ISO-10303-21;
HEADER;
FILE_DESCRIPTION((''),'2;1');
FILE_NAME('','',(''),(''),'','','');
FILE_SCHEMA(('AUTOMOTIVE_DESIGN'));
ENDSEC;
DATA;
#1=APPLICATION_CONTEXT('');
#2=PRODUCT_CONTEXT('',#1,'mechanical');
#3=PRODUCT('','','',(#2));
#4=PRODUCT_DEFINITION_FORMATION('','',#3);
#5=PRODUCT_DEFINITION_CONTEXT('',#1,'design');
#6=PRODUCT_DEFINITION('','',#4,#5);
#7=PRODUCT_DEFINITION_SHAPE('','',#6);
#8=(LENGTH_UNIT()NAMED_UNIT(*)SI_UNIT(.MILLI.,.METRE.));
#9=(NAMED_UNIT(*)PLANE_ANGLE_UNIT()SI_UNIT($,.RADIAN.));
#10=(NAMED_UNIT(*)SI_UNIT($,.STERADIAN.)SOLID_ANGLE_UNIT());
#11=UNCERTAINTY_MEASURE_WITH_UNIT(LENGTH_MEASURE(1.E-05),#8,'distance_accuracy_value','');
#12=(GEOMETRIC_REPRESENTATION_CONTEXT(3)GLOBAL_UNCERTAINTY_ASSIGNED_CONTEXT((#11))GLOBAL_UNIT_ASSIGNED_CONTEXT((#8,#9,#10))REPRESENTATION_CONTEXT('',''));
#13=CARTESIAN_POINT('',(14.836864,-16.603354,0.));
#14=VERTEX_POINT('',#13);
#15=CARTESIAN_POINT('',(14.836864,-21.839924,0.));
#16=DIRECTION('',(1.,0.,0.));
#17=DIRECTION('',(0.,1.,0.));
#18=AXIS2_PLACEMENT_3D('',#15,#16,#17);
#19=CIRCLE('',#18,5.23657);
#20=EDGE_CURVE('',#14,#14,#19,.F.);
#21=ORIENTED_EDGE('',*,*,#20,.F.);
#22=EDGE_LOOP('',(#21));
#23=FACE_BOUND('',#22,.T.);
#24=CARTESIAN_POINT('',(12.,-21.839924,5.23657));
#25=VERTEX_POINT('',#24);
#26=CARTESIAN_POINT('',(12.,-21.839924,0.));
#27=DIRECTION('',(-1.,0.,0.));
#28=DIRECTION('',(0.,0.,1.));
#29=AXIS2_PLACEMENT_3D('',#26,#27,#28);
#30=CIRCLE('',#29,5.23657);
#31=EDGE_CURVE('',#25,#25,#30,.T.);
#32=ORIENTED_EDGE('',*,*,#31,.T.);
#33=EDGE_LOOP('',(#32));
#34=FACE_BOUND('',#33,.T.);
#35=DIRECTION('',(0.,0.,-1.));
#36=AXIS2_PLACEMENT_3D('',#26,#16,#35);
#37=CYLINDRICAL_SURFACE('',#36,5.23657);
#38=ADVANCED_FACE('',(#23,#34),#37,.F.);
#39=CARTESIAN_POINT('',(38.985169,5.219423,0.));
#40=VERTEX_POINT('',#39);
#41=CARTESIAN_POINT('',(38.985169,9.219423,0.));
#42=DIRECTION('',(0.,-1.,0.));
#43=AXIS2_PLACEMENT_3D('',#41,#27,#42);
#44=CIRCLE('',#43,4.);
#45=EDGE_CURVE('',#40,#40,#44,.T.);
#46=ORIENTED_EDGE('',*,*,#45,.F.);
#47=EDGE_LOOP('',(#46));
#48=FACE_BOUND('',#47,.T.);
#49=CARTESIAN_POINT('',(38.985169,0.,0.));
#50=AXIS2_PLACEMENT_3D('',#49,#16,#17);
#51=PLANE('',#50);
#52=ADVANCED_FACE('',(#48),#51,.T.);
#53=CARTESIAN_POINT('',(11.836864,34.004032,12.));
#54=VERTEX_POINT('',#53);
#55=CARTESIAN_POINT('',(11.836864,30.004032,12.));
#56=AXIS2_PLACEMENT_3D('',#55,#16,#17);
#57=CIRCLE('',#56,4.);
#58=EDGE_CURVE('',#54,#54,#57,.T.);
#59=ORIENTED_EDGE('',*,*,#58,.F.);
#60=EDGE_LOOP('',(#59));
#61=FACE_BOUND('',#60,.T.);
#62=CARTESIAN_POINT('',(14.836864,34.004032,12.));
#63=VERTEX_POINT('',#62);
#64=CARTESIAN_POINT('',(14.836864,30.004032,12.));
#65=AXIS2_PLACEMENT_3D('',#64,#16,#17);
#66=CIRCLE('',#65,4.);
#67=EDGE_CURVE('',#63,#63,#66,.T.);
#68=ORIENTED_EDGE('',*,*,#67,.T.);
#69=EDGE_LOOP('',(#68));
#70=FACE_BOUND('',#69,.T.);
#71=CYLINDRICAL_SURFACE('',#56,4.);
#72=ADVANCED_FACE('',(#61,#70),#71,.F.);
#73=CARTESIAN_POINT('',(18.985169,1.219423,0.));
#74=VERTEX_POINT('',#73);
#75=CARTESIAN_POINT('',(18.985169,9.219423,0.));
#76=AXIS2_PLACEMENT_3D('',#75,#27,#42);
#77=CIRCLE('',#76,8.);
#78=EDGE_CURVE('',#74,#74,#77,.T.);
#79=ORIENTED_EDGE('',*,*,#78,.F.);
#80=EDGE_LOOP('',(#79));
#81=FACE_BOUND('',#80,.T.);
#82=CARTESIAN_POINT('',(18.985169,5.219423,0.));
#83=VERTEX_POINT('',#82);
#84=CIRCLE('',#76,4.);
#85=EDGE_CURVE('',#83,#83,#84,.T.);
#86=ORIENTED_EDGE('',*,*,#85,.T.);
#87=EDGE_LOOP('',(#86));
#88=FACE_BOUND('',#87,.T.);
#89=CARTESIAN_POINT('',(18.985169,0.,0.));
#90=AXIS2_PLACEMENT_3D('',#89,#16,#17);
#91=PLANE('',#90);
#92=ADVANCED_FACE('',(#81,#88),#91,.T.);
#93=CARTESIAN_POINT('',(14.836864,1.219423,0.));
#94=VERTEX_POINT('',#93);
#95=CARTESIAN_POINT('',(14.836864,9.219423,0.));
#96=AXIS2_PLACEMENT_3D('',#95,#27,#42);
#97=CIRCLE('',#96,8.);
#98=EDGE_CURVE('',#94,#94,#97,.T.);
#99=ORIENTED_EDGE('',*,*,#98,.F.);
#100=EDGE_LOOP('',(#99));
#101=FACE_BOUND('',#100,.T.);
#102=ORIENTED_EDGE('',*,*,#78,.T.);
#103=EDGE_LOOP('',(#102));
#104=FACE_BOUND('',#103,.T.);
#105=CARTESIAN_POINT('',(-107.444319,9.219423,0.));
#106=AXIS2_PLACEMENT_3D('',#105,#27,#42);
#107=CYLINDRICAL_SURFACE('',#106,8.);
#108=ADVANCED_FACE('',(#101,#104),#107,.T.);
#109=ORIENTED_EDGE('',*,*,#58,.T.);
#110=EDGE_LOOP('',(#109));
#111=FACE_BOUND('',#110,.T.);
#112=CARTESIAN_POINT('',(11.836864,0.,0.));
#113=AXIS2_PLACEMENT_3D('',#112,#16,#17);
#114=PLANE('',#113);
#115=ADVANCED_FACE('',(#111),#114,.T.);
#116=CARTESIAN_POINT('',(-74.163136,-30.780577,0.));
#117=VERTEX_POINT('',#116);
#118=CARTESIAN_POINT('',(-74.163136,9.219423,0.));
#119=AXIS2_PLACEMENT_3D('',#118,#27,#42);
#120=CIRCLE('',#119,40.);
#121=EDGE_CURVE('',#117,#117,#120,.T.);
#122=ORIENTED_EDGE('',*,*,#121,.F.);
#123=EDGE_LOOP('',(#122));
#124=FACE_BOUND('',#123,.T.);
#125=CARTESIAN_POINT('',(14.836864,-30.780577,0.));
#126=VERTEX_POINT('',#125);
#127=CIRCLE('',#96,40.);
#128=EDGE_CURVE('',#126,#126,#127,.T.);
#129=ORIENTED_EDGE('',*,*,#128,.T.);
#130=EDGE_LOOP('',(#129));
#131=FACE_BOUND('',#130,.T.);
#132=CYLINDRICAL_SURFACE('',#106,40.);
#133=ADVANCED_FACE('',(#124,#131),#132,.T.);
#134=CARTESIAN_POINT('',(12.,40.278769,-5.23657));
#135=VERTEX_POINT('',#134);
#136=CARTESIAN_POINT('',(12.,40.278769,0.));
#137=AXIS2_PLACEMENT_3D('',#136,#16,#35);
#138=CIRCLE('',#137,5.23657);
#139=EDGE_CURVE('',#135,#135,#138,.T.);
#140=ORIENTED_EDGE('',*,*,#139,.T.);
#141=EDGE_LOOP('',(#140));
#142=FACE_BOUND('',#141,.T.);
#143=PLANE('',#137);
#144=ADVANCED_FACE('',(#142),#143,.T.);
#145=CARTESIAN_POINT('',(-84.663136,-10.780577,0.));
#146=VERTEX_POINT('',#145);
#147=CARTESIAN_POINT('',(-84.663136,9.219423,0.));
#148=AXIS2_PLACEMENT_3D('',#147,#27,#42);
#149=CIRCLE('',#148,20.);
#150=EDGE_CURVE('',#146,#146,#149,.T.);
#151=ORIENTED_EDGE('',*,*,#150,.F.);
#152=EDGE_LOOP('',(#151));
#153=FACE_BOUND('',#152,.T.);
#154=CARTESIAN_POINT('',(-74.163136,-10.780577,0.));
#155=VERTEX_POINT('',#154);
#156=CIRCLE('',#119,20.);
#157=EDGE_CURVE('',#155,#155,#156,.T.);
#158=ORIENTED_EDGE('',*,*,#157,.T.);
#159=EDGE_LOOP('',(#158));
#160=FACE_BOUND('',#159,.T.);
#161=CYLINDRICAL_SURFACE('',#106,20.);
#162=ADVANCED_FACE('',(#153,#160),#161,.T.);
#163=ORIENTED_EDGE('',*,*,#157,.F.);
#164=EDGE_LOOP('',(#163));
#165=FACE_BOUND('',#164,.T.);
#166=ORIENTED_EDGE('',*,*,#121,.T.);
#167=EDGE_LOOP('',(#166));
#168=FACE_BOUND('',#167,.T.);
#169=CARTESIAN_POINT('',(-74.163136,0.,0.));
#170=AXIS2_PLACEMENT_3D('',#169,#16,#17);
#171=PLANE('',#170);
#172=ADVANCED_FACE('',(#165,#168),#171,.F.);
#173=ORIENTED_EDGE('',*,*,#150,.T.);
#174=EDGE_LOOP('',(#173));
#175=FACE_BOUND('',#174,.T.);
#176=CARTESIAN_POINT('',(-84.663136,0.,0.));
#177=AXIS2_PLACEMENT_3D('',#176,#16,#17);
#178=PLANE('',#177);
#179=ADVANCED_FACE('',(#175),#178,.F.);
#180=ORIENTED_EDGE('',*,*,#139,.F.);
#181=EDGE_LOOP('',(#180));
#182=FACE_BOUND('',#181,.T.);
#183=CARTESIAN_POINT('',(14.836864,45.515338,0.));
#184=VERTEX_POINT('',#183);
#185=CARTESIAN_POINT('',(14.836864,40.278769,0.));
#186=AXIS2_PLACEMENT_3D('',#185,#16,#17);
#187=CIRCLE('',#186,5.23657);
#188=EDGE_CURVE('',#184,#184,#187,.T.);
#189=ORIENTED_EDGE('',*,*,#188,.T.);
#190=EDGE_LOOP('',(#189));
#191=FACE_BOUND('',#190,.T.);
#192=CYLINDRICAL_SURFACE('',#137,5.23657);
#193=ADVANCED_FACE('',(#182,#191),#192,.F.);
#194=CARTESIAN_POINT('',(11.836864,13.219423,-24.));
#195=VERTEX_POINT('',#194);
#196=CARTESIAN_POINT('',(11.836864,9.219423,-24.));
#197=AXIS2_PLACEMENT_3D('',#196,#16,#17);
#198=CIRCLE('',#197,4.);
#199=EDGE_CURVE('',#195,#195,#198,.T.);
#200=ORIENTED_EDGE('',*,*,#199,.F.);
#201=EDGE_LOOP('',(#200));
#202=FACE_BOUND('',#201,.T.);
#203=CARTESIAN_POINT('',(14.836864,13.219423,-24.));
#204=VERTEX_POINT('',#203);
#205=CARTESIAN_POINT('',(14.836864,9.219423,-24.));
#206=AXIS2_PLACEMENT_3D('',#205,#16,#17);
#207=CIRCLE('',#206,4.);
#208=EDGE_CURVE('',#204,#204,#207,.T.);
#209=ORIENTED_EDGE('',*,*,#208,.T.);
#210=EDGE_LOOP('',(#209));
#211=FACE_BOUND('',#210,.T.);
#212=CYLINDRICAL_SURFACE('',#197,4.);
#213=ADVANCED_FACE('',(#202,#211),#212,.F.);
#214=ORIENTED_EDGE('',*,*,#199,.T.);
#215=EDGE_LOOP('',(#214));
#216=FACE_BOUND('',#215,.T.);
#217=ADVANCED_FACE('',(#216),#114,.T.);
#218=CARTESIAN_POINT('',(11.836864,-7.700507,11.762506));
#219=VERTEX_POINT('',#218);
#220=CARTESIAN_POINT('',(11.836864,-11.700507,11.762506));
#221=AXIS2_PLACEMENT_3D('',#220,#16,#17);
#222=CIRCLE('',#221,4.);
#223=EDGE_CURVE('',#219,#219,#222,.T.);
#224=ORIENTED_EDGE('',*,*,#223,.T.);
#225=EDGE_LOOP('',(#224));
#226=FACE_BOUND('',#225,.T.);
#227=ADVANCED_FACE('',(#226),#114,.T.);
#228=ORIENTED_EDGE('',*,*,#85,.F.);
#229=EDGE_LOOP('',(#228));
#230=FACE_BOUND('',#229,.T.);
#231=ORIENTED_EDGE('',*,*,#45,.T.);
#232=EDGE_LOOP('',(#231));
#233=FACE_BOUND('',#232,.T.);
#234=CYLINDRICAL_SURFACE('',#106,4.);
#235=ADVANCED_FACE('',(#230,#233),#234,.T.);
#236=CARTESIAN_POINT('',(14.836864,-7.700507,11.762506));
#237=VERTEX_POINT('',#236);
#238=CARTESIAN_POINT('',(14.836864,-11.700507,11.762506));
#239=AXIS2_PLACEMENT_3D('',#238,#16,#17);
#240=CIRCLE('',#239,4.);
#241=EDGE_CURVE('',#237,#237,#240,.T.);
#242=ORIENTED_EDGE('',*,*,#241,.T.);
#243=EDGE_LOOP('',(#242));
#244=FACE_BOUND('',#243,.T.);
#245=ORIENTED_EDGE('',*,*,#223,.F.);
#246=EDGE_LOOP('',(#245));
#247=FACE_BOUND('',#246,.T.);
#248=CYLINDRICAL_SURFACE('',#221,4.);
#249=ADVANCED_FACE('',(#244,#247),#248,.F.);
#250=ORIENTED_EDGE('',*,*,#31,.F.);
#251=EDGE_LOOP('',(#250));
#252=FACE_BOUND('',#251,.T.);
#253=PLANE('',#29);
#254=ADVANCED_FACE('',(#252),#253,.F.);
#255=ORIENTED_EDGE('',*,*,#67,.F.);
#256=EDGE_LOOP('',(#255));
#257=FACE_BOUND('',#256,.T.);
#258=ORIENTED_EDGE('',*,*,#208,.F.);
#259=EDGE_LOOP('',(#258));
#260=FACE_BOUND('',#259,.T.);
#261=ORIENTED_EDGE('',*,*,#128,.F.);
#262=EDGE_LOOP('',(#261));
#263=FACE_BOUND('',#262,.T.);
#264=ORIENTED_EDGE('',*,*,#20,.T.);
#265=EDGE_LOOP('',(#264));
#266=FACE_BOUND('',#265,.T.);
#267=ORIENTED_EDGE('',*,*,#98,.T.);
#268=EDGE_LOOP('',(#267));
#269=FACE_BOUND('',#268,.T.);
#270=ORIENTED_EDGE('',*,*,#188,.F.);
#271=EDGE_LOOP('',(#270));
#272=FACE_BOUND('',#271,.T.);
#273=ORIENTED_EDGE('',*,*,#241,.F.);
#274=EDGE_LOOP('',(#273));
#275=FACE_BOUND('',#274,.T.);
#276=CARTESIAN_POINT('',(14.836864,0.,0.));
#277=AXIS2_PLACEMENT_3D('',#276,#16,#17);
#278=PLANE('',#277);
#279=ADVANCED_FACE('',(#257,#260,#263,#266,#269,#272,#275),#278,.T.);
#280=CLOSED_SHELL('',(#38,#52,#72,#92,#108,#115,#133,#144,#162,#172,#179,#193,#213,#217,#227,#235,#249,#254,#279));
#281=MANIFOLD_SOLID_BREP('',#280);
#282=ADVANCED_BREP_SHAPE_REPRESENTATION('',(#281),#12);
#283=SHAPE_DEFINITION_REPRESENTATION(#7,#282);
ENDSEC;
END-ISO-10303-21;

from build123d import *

# Parameters (mm, degrees)
SKETCH1_W          = 10.5
SKETCH1_H          = 20
SKETCH1_W_2        = 73.726566952
SKETCH1_H_2        = 40
SKETCH1_W_3        = 20
SKETCH1_H_3        = 4
SKETCH4_R          = 5.236569571
CUT_EXTRUDE3_DEPTH = 3
SKETCH7_R          = 4
CUT_EXTRUDE4_DEPTH = 3


with BuildPart() as part:
    # Sketch1 → Revolve2 (revolve)
    with BuildSketch(Plane.XY, mode=Mode.PRIVATE) as revolve2_sk:
        with Locations((-79.413135593, 19.219422603)):
            Rectangle(SKETCH1_W, SKETCH1_H)
        Polygon((-66.795719354, 49.219422603), (-74.163135593, 49.219422603), (-74.163135593, 29.219422603), (-74.163135593, 9.219422603), (-66.795719354, 9.219422603), align=None)
        with Locations((-29.932435878, 29.219422603)):
            Rectangle(SKETCH1_W_2, SKETCH1_H_2)
        Polygon((14.836864407, 49.219422603), (6.930847598, 49.219422603), (6.930847598, 9.219422603), (14.836864407, 9.219422603), (14.836864407, 17.219422603), align=None)
        Polygon((18.985169492, 17.219422603), (14.836864407, 17.219422603), (14.836864407, 9.219422603), (18.985169492, 9.219422603), (18.985169492, 13.219422603), align=None)
        with Locations((28.985169492, 11.219422603)):
            Rectangle(SKETCH1_W_3, SKETCH1_H_3)
    revolve(revolve2_sk.sketch.rotate(Axis((-107.444319021, 9.219422603, 0), (1, 0, 0)), 180), axis=Axis((-107.444319021, 9.219422603, 0), (1, 0, 0)))

    # Sketch4 → Cut-Extrude3 (cut)
    with BuildSketch(Plane(origin=(15, 0, 0), x_dir=(0, 0, -1), z_dir=(1, 0, 0))):
        with Locations((0, 40.278768816)):
            Circle(SKETCH4_R)
        with Locations(Location((0, -21.839923611, 0), (0, 0, 90))):
            Circle(SKETCH4_R)
    extrude(amount=-CUT_EXTRUDE3_DEPTH, mode=Mode.SUBTRACT)

    # Sketch7 → Cut-Extrude4 (cut)
    with BuildSketch(Plane(origin=(14.836864407, 0, 0), x_dir=(0, 0, -1), z_dir=(1, 0, 0))):
        with Locations(Location((-11.762505522, -11.700507222, 0), (0, 0, 90))):
            Circle(SKETCH7_R)
        with Locations(Location((-12, 30.004032293, 0), (0, 0, 90))):
            Circle(SKETCH7_R)
        with Locations(Location((24, 9.219422603, 0), (0, 0, 90))):
            Circle(SKETCH7_R)
    extrude(amount=-CUT_EXTRUDE4_DEPTH, mode=Mode.SUBTRACT)


solid = part.part
